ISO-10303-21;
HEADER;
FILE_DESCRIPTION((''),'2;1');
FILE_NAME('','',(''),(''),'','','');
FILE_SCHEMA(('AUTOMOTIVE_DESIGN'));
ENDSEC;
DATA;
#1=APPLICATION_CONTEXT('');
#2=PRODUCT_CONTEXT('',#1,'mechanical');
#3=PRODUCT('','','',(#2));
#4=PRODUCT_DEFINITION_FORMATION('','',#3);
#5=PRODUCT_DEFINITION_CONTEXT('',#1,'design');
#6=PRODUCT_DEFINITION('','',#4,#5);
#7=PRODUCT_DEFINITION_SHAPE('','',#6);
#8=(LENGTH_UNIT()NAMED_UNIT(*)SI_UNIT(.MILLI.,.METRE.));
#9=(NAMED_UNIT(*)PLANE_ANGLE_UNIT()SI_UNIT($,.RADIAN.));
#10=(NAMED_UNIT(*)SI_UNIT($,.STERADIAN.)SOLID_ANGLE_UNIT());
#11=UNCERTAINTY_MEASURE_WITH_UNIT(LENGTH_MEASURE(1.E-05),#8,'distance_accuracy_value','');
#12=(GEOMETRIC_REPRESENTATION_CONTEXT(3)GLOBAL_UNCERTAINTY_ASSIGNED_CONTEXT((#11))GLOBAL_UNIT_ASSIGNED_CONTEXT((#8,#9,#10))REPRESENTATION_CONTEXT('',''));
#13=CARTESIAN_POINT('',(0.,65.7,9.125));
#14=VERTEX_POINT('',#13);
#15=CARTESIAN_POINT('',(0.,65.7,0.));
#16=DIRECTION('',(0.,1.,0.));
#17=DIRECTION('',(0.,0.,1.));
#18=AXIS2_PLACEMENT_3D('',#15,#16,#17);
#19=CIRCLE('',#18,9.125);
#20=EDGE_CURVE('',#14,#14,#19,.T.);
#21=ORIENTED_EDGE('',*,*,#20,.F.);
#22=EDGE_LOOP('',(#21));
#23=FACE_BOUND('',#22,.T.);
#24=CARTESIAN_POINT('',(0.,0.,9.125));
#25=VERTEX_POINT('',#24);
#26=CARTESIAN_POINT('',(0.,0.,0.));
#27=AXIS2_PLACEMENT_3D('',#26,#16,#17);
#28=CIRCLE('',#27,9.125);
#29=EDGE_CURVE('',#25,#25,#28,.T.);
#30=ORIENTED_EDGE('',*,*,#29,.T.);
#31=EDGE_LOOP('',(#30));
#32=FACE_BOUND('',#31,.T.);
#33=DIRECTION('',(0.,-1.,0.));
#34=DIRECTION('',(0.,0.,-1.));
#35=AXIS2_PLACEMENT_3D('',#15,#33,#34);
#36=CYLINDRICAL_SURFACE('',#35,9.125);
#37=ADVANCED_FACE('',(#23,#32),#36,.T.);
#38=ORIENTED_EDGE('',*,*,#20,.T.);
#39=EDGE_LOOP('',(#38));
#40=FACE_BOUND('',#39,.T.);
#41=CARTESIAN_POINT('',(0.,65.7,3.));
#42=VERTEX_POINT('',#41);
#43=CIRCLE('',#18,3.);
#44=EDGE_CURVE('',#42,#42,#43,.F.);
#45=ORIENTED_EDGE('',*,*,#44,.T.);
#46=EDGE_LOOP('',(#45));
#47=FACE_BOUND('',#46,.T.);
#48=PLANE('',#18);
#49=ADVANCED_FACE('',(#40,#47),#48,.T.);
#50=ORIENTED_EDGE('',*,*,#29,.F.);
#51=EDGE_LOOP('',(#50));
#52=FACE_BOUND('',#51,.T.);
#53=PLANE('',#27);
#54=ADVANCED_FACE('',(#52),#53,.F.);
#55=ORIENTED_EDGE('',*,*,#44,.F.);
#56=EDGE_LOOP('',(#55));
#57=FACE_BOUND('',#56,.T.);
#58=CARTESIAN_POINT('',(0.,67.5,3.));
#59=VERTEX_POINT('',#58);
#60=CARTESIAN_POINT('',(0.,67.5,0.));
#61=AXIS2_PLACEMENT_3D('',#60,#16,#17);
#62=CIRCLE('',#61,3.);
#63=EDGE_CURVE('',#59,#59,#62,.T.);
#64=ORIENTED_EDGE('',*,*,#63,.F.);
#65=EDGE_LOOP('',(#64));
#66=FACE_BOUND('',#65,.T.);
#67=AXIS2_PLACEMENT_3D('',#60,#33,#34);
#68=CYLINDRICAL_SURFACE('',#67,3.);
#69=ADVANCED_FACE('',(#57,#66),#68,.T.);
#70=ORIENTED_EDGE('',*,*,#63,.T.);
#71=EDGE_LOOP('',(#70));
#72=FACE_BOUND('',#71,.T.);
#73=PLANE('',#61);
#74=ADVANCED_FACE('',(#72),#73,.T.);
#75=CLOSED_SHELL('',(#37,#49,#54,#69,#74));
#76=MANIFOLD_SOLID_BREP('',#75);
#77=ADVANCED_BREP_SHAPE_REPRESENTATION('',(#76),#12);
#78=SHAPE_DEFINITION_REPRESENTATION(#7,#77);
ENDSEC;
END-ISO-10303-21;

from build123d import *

# Parameters (mm, degrees)
SKETCH_1_R      = 9.125
EXTRUDE_1_DEPTH = 65.7
EXTRUDE_START   = -65.7
SKETCH_2_R      = 3
EXTRUDE_2_DEPTH = 67.5


with BuildPart() as part:
    # 草图1 → 凸台-拉伸1 (new body)
    with BuildSketch(Plane(origin=(0, 0, 0), x_dir=(1, 0, 0), z_dir=(0, 1, 0))):
        with Locations(Location((0, 0, 0), (0, 0, 270))):
            Circle(SKETCH_1_R)
    extrude(amount=EXTRUDE_1_DEPTH)

    # 草图2 → 凸台-拉伸2 (add)
    with BuildSketch(Plane(origin=(0, 65.7, 0), x_dir=(1, 0, 0), z_dir=(0, 1, 0)).offset(EXTRUDE_START)):
        with Locations(Location((0, 0, 0), (0, 0, 270))):
            Circle(SKETCH_2_R)
    extrude(amount=EXTRUDE_2_DEPTH)


solid = part.part
